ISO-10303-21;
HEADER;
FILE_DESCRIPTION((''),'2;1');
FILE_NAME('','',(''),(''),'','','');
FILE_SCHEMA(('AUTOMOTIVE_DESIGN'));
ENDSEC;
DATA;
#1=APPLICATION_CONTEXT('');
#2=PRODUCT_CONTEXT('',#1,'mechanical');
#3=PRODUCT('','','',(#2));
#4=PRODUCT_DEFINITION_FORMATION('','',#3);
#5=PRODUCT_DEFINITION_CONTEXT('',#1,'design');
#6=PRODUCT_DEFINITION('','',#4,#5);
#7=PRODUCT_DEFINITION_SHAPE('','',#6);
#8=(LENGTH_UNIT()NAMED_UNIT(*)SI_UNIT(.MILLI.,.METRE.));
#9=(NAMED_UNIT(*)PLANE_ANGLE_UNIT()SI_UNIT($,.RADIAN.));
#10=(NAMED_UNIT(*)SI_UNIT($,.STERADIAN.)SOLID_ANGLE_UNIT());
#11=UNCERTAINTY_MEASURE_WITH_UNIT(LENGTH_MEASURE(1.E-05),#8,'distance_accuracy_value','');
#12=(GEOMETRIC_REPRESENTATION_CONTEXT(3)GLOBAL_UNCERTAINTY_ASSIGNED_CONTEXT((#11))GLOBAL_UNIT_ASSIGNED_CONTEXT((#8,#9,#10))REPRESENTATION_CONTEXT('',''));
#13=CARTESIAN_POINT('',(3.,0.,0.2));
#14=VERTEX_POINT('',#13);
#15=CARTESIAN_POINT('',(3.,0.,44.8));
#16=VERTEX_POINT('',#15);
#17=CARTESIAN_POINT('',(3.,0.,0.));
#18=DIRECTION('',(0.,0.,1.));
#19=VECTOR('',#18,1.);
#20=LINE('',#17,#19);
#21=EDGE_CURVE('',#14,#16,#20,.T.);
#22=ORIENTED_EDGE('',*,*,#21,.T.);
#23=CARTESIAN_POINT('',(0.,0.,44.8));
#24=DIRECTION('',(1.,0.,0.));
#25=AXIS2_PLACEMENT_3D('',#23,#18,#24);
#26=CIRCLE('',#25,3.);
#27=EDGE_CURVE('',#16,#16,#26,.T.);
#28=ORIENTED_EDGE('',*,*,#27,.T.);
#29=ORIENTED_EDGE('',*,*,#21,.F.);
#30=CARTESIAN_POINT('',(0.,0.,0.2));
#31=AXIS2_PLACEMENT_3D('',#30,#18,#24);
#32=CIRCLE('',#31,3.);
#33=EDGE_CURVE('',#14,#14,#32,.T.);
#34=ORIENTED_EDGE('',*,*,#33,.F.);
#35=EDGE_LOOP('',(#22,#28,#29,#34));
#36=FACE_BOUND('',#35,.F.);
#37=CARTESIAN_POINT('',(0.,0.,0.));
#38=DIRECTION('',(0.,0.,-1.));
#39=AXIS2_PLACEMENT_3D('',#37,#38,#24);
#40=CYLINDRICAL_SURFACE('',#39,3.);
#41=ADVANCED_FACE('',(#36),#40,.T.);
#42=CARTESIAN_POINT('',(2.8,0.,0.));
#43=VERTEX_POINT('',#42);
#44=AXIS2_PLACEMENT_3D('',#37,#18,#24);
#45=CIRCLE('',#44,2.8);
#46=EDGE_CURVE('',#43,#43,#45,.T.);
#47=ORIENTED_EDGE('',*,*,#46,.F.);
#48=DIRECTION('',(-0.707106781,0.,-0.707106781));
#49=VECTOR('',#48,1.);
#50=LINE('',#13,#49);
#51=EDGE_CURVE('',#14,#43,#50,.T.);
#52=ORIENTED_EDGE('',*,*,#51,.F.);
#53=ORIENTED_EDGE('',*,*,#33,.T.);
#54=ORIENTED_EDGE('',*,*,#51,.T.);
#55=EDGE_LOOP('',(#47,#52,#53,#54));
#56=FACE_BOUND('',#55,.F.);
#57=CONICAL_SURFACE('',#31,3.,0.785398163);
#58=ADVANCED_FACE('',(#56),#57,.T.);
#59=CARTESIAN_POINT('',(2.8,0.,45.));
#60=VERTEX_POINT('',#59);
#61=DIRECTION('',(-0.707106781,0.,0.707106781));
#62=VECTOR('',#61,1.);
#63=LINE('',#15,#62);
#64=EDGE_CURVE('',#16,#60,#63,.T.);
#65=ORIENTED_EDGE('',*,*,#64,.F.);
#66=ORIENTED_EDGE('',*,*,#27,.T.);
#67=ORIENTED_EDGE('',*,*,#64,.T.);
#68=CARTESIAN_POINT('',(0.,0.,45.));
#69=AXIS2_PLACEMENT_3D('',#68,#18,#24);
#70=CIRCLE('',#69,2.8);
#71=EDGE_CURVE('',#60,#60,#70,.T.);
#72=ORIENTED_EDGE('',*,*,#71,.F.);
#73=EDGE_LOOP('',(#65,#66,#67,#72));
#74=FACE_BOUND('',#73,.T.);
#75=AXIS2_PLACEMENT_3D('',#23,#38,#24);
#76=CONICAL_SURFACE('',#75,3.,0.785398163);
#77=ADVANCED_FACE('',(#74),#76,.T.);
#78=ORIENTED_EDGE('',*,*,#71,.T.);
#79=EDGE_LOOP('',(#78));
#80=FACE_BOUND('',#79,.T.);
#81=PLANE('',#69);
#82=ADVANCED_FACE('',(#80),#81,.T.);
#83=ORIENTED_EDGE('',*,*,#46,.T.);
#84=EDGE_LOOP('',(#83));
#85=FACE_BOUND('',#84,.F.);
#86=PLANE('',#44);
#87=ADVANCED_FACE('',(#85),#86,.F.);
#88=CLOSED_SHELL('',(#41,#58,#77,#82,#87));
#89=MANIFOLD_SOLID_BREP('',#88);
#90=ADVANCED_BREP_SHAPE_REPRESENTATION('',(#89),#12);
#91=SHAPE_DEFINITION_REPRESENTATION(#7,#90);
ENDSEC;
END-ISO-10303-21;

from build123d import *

# Parameters (mm, degrees)
SKETCH_R        = 3
PAD_DEPTH       = 45
CHAMFER_SIZE    = 0.2
CHAMFER001_SIZE = 0.2


with BuildPart() as part:
    # Sketch → Pad (new body)
    with BuildSketch(Plane.XY):
        Circle(SKETCH_R)
    extrude(amount=PAD_DEPTH)

    # Chamfer
    chamfer_edges = [part.edges().sort_by_distance(p)[0] for p in [
        (-3, 0, 45),
    ]]
    chamfer(chamfer_edges, length=CHAMFER_SIZE)

    # Chamfer001
    chamfer001_edges = [part.edges().sort_by_distance(p)[0] for p in [
        (-3, 0, 0),
    ]]
    chamfer(chamfer001_edges, length=CHAMFER001_SIZE)


solid = part.part
